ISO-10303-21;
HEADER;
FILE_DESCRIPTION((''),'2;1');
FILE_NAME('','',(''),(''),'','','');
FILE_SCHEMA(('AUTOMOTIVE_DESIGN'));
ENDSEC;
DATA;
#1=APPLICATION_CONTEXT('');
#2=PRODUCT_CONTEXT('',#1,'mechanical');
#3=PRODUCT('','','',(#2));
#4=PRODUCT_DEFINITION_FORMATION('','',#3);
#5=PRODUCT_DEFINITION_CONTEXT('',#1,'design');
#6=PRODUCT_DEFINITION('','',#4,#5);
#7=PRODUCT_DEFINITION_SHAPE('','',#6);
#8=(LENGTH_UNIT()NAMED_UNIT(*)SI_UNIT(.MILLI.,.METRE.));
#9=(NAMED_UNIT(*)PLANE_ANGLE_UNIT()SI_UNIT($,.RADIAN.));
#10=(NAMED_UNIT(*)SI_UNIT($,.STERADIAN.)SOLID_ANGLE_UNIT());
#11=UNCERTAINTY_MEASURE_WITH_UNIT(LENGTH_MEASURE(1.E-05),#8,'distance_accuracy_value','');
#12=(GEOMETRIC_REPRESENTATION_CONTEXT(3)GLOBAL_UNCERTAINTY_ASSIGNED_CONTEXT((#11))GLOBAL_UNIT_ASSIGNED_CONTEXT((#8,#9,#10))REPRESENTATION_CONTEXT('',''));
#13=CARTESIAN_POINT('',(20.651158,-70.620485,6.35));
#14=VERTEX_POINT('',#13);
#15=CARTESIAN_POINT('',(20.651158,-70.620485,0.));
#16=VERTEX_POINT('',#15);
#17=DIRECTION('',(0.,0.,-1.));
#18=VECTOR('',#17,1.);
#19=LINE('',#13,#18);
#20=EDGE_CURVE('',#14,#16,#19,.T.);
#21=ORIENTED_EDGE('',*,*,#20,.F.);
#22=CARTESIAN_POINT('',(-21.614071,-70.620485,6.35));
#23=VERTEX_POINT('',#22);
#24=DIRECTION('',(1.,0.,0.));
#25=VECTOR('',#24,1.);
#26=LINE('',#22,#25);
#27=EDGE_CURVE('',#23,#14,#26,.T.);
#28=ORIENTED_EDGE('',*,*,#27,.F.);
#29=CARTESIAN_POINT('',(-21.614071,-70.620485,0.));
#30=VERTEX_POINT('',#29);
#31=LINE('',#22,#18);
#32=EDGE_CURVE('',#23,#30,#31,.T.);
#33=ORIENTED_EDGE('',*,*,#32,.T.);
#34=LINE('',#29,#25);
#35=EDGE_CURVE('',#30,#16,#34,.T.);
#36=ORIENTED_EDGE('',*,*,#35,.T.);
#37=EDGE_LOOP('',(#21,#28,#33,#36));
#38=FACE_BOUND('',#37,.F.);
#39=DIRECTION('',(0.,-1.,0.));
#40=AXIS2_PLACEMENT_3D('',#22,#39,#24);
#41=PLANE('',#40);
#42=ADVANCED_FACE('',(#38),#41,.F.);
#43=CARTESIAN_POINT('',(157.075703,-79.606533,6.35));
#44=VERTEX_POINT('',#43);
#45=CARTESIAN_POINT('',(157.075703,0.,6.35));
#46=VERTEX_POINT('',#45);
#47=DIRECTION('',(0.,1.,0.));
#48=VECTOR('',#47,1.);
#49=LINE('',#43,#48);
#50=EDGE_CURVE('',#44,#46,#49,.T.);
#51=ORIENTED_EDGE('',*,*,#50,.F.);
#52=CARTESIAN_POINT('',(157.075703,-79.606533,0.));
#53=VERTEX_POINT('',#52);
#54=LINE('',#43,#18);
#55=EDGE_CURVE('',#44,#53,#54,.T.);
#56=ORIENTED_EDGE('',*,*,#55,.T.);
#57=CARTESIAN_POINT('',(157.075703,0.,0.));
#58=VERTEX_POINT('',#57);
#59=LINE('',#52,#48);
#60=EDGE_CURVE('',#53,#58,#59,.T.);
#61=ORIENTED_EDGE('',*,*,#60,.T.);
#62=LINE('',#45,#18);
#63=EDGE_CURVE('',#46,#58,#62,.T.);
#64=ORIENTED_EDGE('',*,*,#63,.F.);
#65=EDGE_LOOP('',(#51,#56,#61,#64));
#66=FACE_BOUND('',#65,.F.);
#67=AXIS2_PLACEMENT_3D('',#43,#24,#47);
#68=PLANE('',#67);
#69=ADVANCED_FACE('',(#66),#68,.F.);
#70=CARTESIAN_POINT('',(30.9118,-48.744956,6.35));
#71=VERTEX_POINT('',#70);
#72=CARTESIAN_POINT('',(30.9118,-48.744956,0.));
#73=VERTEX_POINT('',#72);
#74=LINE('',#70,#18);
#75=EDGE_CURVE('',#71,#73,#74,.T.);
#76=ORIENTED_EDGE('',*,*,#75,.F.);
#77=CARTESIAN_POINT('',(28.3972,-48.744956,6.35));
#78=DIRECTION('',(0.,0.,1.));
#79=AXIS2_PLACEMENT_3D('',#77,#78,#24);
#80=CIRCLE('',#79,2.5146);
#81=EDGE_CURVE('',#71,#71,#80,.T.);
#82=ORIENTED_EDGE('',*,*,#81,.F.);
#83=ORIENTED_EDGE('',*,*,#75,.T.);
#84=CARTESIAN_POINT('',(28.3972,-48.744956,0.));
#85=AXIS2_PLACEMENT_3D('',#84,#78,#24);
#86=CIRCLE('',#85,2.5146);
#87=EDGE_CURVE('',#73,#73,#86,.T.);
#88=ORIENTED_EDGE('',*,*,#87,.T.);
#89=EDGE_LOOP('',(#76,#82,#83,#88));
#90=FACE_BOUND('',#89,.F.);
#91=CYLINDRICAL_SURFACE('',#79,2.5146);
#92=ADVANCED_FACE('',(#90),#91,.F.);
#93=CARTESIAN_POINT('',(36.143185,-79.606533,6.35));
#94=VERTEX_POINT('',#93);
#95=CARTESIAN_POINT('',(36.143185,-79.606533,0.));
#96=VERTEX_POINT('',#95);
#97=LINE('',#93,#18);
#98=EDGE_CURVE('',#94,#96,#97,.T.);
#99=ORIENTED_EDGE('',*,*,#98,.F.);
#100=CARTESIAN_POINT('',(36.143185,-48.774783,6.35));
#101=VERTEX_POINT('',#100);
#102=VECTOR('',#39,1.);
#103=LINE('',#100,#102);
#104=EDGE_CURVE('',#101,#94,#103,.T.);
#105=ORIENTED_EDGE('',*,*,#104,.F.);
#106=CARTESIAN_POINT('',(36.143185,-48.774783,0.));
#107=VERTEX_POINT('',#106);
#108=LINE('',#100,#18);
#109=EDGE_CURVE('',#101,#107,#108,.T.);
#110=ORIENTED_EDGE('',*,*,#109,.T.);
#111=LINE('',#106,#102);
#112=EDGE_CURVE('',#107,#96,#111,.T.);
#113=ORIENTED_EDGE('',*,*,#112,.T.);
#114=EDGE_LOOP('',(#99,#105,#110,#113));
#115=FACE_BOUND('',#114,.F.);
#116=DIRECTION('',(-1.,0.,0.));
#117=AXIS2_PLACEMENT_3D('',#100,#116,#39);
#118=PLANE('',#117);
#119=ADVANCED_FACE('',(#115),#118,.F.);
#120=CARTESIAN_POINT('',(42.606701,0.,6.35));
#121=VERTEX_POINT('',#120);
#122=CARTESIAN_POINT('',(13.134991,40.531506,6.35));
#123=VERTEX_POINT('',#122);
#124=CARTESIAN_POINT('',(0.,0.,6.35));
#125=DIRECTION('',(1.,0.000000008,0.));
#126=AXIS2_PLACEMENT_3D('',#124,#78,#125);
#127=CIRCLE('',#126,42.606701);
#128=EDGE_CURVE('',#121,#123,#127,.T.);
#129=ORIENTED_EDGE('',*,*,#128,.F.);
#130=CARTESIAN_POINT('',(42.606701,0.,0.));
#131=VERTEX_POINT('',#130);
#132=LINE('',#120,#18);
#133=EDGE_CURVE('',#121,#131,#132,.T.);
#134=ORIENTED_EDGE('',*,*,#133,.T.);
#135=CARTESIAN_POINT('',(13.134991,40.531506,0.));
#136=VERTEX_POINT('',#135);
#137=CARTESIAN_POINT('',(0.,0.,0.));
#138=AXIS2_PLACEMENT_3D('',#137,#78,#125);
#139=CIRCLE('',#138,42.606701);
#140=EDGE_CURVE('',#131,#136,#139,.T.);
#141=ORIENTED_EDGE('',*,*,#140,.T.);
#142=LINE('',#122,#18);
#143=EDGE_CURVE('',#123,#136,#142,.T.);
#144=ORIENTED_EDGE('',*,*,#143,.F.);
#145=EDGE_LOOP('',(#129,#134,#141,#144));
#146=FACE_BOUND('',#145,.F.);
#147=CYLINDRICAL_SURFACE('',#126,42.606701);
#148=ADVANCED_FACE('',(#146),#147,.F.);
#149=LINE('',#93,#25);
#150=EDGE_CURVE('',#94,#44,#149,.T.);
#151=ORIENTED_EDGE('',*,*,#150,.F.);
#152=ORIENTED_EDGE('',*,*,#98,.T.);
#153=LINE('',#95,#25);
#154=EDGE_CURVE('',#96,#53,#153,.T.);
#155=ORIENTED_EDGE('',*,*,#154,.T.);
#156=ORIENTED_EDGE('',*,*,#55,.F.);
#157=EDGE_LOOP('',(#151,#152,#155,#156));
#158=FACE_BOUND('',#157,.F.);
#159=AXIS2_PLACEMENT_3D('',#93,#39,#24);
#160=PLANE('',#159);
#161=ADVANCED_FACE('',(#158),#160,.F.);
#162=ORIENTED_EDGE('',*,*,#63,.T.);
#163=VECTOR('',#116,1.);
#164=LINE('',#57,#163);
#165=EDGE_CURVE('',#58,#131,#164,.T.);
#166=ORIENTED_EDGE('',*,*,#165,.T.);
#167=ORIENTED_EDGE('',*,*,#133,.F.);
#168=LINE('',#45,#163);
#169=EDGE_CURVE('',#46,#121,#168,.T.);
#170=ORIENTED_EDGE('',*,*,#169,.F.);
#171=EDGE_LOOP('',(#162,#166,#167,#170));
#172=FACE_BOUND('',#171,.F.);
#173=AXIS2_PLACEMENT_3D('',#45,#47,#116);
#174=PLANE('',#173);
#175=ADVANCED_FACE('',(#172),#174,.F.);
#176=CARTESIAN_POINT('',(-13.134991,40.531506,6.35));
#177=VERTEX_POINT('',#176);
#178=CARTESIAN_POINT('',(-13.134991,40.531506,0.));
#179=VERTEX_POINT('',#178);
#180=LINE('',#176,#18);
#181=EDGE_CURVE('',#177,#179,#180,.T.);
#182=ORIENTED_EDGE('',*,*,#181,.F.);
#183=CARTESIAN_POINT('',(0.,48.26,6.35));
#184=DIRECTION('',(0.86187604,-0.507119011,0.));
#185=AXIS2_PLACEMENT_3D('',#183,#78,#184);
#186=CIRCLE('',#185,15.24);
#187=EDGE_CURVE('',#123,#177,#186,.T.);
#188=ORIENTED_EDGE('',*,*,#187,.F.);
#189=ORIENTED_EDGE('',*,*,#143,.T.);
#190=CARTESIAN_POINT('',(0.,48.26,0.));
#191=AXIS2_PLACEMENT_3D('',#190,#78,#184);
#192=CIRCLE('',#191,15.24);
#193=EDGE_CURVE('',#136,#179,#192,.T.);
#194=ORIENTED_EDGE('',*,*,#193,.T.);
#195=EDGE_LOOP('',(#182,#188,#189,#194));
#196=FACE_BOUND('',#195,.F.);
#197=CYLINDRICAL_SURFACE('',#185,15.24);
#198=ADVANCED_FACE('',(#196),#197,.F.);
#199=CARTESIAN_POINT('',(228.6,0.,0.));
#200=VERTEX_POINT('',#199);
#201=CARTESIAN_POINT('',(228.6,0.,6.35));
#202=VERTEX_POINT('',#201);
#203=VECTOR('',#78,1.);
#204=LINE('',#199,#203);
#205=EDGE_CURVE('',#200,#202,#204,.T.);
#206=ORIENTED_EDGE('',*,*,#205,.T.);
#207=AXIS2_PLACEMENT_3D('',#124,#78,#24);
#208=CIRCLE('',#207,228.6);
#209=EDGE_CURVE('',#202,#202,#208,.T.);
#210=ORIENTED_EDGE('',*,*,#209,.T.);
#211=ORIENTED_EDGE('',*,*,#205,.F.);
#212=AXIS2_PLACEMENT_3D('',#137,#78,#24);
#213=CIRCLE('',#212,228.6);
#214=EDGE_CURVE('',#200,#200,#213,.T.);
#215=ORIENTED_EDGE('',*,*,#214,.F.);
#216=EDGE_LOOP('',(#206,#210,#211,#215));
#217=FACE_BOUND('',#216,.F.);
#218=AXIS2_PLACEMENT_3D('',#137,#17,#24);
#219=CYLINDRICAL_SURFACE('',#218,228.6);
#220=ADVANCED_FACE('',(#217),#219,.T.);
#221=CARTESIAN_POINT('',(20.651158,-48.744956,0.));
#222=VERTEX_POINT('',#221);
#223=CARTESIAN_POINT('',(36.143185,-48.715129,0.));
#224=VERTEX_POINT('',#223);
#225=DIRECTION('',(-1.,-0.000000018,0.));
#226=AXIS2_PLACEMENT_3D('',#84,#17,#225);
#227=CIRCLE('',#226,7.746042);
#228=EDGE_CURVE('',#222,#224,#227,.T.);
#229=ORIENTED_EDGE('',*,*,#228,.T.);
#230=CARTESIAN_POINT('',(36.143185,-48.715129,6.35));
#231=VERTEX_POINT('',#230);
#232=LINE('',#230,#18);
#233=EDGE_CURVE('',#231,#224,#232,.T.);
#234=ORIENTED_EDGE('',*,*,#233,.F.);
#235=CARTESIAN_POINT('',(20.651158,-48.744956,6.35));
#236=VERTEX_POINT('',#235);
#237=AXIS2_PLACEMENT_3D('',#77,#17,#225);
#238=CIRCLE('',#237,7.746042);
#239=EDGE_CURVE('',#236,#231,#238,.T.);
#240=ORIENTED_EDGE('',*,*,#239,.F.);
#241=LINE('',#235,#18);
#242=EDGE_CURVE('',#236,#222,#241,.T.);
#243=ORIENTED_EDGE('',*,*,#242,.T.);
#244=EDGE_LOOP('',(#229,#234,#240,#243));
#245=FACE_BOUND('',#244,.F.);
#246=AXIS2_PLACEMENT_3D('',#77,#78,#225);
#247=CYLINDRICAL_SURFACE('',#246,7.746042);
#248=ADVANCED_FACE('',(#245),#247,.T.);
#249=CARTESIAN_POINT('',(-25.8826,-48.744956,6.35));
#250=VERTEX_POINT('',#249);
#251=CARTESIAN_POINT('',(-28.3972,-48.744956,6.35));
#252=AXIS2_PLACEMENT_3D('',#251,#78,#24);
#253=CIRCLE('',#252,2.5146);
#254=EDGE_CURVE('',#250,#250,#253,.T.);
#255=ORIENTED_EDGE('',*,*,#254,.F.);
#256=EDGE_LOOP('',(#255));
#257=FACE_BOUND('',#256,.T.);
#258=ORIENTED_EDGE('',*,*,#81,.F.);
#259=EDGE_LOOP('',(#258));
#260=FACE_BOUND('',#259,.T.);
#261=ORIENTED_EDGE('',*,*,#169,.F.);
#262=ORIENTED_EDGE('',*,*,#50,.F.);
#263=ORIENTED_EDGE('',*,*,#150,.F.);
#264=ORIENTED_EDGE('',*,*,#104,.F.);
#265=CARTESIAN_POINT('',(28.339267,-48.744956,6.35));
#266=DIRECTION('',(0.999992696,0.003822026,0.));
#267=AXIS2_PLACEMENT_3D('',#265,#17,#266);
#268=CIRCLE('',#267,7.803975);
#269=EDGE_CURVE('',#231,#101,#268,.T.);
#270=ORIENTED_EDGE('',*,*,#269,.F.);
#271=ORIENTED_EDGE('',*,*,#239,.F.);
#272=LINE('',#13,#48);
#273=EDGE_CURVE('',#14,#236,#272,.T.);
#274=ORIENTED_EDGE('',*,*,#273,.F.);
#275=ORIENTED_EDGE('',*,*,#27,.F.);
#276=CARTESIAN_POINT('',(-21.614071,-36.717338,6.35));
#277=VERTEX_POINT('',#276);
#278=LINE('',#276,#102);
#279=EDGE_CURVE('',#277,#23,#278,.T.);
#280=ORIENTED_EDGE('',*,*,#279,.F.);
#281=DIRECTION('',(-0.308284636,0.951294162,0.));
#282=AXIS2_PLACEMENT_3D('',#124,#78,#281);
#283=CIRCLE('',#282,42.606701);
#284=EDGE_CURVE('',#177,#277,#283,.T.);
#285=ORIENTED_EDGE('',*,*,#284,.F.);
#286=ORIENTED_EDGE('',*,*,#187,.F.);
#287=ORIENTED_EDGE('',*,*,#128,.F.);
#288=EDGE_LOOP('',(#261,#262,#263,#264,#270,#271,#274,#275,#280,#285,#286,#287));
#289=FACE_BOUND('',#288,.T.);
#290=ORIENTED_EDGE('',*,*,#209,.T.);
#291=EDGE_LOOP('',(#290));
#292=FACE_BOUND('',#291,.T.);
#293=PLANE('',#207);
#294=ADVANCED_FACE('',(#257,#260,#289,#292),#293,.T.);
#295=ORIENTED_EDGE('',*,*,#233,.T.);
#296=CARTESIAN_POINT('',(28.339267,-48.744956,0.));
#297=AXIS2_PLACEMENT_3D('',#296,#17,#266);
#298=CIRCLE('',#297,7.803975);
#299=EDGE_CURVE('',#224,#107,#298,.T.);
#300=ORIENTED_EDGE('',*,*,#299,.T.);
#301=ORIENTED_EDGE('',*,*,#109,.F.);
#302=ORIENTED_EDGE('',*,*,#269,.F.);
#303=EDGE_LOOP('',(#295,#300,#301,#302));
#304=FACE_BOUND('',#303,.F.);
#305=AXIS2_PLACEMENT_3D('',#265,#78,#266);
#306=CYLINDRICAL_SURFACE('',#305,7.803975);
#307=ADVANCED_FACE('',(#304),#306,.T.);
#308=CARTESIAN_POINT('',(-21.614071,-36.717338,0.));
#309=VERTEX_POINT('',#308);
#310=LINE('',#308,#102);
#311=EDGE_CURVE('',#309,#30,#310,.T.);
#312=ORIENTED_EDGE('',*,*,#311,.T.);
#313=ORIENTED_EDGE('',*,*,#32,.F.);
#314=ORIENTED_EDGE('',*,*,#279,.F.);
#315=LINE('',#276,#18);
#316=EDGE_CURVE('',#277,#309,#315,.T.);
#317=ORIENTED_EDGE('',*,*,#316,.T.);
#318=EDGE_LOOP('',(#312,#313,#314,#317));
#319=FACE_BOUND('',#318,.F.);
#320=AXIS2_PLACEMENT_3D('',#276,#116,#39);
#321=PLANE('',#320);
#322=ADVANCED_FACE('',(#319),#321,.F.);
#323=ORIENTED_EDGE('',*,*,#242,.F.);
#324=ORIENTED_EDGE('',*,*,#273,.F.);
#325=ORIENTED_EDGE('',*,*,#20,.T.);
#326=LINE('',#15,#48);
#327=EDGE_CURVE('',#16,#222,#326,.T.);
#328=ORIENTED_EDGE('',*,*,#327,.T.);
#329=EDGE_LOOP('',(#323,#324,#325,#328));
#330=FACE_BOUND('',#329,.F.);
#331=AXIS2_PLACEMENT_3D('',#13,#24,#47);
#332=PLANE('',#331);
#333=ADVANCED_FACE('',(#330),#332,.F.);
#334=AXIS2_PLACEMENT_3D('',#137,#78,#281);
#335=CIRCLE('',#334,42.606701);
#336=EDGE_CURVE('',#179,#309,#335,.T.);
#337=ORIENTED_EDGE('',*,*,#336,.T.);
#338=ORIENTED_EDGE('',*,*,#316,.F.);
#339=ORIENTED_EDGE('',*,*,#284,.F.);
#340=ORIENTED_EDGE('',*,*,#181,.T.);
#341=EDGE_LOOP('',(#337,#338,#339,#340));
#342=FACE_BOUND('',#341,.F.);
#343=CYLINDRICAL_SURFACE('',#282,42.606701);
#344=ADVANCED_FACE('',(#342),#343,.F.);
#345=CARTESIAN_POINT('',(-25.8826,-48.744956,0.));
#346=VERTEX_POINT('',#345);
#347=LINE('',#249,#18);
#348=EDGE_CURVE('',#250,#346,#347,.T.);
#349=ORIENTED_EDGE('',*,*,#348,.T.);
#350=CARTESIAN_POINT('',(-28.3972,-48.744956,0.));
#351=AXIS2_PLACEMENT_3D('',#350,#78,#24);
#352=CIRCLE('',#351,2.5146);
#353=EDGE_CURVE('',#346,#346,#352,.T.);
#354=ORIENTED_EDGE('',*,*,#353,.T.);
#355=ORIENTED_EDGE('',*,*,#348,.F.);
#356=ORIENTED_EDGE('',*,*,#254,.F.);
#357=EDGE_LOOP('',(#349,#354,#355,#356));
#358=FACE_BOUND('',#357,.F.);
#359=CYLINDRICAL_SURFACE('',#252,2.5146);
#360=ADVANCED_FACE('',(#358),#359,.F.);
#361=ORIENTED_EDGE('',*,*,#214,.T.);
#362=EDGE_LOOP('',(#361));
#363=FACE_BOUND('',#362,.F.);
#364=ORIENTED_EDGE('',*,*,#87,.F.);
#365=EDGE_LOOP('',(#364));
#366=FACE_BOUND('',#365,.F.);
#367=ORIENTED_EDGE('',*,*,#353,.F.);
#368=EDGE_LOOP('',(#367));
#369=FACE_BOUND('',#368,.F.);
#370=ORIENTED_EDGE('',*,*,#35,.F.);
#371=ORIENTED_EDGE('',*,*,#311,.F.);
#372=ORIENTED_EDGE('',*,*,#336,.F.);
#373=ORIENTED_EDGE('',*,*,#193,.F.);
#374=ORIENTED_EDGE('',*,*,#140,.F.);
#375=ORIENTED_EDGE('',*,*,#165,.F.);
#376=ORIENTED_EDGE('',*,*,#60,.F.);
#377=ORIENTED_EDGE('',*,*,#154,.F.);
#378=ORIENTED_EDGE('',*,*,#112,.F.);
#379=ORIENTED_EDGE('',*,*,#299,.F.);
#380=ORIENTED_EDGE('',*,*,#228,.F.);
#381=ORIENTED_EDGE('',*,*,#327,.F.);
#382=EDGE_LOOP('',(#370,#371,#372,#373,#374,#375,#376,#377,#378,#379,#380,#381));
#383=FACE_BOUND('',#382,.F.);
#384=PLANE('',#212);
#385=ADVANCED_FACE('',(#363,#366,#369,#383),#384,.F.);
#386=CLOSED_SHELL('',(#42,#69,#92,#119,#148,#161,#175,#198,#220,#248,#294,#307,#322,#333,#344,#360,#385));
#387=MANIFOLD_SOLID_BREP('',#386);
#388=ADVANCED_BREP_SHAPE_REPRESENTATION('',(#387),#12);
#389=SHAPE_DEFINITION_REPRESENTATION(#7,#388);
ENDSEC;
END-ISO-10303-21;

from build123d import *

# Parameters (mm, degrees)
F0_R     = 228.6
F1_DEPTH = 6.35
F2_R     = 2.5146
F3_DEPTH = 6.35
F5_DEPTH = 6.35


with BuildPart() as f1:
    # F0 (on Top) → F1 (new body)
    with BuildSketch(Plane.XY):
        Circle(F0_R)
    extrude(amount=F1_DEPTH)

    # F2 (on face) → F3 (cut, through all)
    with BuildSketch(Plane.XY.offset(6.35)):
        with Locations((0, 48.7172)):
            Circle(F2_R)
        with Locations((28.3972, -48.744956)):
            Circle(F2_R)
        with Locations((-28.3972, -48.744956)):
            Circle(F2_R)
    extrude(amount=-F3_DEPTH, mode=Mode.SUBTRACT)

    # F4 (on face) → F5 (cut, through all)
    with BuildSketch(Plane.XY.offset(6.35)):
        with BuildLine():
            Line((157.075703, 0), (42.606701, 0))
            ThreePointArc((42.606701, 0), (34.459901, 25.056859), (13.134991, 40.531506))
            ThreePointArc((13.134991, 40.531506), (0, 63.5), (-13.134991, 40.531506))
            ThreePointArc((-13.134991, 40.531506), (-42.352335, 4.648728), (-21.614071, -36.717338))
            Line((-21.614071, -36.717338), (-21.614071, -70.620485))
            Line((-21.614071, -70.620485), (20.651158, -70.620485))
            Line((20.651158, -70.620485), (20.651158, -48.744956))
            ThreePointArc((20.651158, -48.744956), (28.382287, -40.998928), (36.143185, -48.715129))
            ThreePointArc((36.143185, -48.715129), (36.143242, -48.744956), (36.143185, -48.774783))
            Line((36.143185, -48.774783), (36.143185, -79.606533))
            Line((36.143185, -79.606533), (157.075703, -79.606533))
            Line((157.075703, -79.606533), (157.075703, 0))
        make_face()
    extrude(amount=-F5_DEPTH, mode=Mode.SUBTRACT)


solid = f1.part
